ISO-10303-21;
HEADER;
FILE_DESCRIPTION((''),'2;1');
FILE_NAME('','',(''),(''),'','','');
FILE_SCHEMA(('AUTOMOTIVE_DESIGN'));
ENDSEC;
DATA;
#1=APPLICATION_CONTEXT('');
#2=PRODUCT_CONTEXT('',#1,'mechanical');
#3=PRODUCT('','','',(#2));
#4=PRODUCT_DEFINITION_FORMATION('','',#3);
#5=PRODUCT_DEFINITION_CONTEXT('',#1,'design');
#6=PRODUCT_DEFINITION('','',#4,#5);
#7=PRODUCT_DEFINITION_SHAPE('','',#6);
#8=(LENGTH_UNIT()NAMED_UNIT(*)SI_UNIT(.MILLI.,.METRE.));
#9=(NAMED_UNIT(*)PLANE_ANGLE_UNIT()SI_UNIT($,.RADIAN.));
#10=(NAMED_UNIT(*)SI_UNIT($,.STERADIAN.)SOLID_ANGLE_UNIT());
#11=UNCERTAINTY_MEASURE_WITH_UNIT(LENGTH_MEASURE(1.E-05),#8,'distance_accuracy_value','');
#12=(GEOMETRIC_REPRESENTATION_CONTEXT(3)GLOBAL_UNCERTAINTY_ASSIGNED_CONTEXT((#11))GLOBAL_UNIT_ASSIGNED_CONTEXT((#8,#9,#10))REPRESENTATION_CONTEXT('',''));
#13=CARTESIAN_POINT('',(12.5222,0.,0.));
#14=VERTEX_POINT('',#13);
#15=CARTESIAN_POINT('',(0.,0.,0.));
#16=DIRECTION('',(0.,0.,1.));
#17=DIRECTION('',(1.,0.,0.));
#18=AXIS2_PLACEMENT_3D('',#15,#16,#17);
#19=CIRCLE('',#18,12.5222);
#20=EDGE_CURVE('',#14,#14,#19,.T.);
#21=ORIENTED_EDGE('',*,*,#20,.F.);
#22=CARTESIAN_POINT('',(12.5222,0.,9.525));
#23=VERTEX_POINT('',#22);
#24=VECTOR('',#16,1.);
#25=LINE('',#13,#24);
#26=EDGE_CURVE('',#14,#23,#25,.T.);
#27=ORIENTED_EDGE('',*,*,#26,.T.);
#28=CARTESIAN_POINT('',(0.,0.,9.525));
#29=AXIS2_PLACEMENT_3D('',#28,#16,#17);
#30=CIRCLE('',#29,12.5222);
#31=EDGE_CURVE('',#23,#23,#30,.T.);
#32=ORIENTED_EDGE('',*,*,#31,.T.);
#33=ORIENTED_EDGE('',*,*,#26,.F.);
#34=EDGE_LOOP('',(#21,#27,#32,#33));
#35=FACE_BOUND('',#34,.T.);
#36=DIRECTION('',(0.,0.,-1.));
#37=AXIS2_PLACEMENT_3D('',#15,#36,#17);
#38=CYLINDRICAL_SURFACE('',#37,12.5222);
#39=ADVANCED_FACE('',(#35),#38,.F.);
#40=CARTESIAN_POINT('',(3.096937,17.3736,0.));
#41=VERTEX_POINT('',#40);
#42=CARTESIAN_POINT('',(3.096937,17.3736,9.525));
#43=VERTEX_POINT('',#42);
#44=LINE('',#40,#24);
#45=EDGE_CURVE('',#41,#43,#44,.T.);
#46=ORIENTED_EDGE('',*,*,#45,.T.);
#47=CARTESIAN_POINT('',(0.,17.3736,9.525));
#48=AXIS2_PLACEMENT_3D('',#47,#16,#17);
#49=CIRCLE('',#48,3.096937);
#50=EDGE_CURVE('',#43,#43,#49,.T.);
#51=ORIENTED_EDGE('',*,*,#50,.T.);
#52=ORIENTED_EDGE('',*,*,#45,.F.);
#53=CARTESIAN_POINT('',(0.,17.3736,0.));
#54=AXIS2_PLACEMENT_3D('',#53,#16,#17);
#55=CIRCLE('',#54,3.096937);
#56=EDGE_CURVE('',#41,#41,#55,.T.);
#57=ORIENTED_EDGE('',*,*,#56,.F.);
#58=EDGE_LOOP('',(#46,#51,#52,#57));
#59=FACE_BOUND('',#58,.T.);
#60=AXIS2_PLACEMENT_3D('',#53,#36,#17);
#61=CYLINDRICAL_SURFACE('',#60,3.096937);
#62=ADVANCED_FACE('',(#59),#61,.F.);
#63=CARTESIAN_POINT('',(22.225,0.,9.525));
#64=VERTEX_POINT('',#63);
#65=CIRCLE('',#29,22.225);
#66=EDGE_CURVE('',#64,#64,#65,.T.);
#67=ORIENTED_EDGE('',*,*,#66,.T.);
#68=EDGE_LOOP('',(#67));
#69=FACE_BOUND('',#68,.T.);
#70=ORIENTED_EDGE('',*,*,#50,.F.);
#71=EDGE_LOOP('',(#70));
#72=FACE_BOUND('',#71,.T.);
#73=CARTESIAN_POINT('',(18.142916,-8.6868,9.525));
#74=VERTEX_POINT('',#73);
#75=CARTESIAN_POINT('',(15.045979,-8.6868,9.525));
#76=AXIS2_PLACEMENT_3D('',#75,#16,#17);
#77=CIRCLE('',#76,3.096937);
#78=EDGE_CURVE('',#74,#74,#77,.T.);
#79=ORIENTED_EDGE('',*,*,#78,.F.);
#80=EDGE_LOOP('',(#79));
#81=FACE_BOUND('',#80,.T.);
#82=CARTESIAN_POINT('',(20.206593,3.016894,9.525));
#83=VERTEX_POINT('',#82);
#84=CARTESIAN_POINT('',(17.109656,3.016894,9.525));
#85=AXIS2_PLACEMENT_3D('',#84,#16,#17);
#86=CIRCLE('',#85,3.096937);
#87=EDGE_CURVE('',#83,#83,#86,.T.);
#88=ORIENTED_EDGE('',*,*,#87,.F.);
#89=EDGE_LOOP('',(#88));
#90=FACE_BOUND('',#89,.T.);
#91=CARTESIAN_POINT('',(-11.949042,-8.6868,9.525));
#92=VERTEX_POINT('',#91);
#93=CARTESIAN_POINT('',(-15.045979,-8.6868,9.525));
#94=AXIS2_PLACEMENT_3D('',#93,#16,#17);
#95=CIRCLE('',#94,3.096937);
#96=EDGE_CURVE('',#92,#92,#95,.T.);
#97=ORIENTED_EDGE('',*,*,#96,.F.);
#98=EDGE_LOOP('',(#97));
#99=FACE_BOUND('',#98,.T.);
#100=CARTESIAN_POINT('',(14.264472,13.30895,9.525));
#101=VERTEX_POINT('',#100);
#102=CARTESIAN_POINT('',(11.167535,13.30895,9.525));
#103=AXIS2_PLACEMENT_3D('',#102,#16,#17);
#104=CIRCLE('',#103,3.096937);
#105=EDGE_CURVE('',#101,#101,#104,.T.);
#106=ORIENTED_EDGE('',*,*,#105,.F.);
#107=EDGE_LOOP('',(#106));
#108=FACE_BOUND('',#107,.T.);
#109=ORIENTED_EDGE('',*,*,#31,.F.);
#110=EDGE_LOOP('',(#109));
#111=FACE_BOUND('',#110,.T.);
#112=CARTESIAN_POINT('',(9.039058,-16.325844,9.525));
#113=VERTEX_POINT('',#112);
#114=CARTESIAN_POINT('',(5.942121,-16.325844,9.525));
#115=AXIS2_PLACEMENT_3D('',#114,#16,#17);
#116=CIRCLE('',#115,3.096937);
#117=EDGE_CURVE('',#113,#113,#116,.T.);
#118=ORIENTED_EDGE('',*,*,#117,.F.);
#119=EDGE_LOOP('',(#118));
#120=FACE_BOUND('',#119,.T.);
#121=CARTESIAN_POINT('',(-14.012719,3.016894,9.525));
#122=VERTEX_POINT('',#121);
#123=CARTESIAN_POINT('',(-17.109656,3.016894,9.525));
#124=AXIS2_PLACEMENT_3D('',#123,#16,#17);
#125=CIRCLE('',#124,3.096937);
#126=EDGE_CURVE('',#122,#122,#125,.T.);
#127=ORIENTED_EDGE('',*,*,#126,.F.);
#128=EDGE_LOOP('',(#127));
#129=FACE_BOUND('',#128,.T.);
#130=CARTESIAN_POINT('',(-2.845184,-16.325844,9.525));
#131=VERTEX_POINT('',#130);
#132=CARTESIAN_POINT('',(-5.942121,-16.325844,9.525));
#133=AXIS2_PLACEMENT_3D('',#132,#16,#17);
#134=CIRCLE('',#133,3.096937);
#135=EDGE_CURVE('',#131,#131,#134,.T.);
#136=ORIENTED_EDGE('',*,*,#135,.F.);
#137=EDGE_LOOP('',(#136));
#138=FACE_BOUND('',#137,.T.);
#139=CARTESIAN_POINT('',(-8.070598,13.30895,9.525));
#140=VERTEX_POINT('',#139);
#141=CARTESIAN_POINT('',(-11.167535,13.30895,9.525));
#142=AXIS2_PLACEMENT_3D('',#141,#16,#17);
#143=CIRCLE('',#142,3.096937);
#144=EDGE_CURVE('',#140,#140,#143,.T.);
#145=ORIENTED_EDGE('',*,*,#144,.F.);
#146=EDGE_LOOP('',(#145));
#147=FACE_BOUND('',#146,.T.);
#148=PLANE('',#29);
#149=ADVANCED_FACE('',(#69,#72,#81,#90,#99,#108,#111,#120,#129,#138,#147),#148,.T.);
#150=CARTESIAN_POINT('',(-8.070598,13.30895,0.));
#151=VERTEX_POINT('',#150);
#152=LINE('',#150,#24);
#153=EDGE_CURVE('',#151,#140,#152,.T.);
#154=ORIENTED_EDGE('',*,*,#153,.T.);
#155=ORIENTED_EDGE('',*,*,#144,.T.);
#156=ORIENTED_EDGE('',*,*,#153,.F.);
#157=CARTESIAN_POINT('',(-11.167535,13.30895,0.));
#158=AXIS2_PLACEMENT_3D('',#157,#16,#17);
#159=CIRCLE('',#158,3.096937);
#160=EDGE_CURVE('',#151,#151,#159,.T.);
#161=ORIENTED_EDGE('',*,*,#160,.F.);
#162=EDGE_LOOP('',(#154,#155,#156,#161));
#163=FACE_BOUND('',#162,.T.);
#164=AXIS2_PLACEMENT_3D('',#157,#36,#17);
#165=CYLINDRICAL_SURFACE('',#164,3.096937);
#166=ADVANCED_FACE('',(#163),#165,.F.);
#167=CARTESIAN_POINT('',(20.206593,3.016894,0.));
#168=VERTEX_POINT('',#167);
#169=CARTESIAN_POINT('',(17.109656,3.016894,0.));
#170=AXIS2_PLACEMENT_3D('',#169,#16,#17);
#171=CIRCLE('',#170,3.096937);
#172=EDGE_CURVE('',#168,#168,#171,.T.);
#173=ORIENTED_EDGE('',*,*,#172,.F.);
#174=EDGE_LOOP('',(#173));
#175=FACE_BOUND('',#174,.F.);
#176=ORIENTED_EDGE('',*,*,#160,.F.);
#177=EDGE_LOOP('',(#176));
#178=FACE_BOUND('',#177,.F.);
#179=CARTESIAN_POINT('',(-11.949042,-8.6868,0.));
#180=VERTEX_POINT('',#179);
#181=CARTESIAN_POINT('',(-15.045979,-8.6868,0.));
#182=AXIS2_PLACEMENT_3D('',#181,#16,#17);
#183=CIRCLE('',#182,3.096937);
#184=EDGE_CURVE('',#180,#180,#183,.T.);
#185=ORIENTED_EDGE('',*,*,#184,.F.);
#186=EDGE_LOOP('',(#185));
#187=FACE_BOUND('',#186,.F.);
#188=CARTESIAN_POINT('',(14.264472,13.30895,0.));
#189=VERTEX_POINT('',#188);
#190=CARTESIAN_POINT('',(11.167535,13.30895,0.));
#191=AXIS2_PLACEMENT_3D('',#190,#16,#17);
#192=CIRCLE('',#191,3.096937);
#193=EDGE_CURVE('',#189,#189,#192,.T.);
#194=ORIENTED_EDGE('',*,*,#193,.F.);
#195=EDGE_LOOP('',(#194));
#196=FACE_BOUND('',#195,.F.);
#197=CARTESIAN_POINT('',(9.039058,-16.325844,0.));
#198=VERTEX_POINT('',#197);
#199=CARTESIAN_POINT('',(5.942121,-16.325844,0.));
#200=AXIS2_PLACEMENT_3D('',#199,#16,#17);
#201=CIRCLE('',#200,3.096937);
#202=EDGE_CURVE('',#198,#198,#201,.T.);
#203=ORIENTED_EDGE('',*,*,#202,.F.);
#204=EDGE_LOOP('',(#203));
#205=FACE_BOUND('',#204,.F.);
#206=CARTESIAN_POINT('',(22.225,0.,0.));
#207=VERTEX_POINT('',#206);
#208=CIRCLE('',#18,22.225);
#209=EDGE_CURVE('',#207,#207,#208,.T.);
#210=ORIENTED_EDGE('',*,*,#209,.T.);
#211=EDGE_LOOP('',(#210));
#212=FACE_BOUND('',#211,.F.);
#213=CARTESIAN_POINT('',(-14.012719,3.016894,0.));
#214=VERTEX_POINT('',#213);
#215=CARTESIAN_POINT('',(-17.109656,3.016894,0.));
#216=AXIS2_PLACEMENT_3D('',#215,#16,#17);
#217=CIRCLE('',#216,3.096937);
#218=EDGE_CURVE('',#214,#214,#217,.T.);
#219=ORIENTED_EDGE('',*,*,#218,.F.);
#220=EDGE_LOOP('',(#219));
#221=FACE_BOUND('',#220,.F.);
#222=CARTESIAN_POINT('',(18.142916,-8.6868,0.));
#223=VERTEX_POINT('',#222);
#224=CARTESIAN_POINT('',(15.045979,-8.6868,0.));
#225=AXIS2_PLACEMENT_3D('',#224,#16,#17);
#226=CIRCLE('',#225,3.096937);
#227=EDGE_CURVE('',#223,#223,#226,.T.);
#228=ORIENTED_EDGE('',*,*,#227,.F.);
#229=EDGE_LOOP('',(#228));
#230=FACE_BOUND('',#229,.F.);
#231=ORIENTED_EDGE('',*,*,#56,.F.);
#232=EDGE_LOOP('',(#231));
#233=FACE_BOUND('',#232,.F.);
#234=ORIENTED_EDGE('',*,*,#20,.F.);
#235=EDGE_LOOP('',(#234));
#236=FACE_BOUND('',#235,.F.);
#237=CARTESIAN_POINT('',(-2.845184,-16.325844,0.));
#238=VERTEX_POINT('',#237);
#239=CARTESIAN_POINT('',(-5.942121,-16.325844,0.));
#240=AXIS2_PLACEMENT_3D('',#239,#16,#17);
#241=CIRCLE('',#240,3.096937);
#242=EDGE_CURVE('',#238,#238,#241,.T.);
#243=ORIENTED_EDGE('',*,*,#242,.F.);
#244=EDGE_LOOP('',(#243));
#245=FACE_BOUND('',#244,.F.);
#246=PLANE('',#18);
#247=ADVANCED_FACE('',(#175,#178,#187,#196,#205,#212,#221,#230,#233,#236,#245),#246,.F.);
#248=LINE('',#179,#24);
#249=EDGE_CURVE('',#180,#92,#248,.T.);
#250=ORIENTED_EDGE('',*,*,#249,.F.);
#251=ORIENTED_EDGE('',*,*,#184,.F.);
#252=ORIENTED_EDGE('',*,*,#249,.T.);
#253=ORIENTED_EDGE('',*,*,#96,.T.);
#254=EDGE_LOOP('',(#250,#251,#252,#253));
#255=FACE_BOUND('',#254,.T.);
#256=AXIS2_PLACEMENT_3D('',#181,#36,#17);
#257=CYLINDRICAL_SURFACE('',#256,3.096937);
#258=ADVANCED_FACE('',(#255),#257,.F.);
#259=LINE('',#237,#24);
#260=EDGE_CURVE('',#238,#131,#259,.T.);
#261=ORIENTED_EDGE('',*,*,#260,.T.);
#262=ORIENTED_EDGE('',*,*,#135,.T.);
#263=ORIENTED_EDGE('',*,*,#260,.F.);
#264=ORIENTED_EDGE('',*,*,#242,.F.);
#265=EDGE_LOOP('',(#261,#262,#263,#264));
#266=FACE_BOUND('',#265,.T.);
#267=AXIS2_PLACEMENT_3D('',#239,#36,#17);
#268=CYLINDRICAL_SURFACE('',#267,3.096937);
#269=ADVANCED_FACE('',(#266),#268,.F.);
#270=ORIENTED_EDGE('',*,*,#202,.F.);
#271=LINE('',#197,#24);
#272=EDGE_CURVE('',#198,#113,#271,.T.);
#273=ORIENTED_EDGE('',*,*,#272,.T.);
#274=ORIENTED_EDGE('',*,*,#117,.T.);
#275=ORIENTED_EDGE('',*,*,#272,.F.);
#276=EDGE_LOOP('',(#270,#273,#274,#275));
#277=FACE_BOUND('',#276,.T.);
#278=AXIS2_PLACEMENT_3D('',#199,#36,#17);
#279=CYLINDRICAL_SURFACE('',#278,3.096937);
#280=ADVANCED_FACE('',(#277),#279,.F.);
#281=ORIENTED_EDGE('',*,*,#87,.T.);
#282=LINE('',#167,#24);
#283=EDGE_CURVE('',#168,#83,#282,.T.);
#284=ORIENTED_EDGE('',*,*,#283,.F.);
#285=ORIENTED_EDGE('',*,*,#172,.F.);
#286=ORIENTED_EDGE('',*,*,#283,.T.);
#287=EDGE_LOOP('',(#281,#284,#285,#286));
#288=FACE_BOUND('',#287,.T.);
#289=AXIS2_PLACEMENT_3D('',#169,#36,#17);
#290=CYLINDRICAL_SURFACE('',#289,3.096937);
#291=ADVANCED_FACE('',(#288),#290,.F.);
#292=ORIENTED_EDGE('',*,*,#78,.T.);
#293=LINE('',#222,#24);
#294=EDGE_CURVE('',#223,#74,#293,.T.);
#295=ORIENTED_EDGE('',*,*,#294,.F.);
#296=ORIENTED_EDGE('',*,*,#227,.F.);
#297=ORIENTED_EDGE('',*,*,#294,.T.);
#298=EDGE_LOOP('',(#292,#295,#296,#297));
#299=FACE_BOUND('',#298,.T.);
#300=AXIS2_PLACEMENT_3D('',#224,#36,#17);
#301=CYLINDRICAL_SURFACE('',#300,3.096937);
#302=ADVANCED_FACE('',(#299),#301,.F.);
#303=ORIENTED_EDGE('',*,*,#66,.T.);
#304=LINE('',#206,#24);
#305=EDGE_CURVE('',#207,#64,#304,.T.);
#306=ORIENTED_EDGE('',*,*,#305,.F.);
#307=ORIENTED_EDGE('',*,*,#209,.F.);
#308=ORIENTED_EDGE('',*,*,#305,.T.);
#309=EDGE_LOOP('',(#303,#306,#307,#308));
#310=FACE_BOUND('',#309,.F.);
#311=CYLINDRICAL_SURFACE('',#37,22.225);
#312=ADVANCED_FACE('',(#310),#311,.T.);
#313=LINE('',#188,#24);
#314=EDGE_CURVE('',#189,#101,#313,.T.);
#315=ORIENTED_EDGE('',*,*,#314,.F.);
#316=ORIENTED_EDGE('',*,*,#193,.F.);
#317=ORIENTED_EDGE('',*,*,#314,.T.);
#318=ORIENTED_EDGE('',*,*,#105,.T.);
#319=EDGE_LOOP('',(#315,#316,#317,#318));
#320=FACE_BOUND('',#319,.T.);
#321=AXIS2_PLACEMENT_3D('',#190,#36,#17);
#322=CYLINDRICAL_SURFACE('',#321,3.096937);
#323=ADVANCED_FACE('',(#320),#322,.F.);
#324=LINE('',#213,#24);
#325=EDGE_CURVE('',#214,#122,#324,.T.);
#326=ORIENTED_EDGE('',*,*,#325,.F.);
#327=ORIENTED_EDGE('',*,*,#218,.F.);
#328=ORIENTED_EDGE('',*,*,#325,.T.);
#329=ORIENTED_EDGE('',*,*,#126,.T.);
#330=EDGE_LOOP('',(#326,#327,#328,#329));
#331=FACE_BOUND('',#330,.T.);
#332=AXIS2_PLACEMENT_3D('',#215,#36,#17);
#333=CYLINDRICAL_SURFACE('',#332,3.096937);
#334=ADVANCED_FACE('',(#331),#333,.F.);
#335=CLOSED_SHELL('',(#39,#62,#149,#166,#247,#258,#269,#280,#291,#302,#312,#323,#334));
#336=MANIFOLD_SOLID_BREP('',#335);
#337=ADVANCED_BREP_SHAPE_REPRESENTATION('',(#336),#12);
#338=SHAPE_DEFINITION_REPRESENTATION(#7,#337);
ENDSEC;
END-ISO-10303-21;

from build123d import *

# Parameters (mm, degrees)
F0_R     = 22.225
F0_R_2   = 3.096937
F0_R_3   = 12.5222
F1_DEPTH = 9.525


with BuildPart() as f1:
    # F0 (on Top) → F1 (new body)
    with BuildSketch(Plane.XY):
        Circle(F0_R)
        with Locations((-5.942121, -16.325844)):
            Circle(F0_R_2, mode=Mode.SUBTRACT)
        with Locations((-15.045979, -8.6868)):
            Circle(F0_R_2, mode=Mode.SUBTRACT)
        with Locations((5.942121, -16.325844)):
            Circle(F0_R_2, mode=Mode.SUBTRACT)
        with Locations((15.045979, -8.6868)):
            Circle(F0_R_2, mode=Mode.SUBTRACT)
        with Locations((-17.109656, 3.016894)):
            Circle(F0_R_2, mode=Mode.SUBTRACT)
        with Locations((-11.167535, 13.30895)):
            Circle(F0_R_2, mode=Mode.SUBTRACT)
        Circle(F0_R_3, mode=Mode.SUBTRACT)
        with Locations((17.109656, 3.016894)):
            Circle(F0_R_2, mode=Mode.SUBTRACT)
        with Locations((0, 17.3736)):
            Circle(F0_R_2, mode=Mode.SUBTRACT)
        with Locations((11.167535, 13.30895)):
            Circle(F0_R_2, mode=Mode.SUBTRACT)
    extrude(amount=F1_DEPTH)


solid = f1.part
